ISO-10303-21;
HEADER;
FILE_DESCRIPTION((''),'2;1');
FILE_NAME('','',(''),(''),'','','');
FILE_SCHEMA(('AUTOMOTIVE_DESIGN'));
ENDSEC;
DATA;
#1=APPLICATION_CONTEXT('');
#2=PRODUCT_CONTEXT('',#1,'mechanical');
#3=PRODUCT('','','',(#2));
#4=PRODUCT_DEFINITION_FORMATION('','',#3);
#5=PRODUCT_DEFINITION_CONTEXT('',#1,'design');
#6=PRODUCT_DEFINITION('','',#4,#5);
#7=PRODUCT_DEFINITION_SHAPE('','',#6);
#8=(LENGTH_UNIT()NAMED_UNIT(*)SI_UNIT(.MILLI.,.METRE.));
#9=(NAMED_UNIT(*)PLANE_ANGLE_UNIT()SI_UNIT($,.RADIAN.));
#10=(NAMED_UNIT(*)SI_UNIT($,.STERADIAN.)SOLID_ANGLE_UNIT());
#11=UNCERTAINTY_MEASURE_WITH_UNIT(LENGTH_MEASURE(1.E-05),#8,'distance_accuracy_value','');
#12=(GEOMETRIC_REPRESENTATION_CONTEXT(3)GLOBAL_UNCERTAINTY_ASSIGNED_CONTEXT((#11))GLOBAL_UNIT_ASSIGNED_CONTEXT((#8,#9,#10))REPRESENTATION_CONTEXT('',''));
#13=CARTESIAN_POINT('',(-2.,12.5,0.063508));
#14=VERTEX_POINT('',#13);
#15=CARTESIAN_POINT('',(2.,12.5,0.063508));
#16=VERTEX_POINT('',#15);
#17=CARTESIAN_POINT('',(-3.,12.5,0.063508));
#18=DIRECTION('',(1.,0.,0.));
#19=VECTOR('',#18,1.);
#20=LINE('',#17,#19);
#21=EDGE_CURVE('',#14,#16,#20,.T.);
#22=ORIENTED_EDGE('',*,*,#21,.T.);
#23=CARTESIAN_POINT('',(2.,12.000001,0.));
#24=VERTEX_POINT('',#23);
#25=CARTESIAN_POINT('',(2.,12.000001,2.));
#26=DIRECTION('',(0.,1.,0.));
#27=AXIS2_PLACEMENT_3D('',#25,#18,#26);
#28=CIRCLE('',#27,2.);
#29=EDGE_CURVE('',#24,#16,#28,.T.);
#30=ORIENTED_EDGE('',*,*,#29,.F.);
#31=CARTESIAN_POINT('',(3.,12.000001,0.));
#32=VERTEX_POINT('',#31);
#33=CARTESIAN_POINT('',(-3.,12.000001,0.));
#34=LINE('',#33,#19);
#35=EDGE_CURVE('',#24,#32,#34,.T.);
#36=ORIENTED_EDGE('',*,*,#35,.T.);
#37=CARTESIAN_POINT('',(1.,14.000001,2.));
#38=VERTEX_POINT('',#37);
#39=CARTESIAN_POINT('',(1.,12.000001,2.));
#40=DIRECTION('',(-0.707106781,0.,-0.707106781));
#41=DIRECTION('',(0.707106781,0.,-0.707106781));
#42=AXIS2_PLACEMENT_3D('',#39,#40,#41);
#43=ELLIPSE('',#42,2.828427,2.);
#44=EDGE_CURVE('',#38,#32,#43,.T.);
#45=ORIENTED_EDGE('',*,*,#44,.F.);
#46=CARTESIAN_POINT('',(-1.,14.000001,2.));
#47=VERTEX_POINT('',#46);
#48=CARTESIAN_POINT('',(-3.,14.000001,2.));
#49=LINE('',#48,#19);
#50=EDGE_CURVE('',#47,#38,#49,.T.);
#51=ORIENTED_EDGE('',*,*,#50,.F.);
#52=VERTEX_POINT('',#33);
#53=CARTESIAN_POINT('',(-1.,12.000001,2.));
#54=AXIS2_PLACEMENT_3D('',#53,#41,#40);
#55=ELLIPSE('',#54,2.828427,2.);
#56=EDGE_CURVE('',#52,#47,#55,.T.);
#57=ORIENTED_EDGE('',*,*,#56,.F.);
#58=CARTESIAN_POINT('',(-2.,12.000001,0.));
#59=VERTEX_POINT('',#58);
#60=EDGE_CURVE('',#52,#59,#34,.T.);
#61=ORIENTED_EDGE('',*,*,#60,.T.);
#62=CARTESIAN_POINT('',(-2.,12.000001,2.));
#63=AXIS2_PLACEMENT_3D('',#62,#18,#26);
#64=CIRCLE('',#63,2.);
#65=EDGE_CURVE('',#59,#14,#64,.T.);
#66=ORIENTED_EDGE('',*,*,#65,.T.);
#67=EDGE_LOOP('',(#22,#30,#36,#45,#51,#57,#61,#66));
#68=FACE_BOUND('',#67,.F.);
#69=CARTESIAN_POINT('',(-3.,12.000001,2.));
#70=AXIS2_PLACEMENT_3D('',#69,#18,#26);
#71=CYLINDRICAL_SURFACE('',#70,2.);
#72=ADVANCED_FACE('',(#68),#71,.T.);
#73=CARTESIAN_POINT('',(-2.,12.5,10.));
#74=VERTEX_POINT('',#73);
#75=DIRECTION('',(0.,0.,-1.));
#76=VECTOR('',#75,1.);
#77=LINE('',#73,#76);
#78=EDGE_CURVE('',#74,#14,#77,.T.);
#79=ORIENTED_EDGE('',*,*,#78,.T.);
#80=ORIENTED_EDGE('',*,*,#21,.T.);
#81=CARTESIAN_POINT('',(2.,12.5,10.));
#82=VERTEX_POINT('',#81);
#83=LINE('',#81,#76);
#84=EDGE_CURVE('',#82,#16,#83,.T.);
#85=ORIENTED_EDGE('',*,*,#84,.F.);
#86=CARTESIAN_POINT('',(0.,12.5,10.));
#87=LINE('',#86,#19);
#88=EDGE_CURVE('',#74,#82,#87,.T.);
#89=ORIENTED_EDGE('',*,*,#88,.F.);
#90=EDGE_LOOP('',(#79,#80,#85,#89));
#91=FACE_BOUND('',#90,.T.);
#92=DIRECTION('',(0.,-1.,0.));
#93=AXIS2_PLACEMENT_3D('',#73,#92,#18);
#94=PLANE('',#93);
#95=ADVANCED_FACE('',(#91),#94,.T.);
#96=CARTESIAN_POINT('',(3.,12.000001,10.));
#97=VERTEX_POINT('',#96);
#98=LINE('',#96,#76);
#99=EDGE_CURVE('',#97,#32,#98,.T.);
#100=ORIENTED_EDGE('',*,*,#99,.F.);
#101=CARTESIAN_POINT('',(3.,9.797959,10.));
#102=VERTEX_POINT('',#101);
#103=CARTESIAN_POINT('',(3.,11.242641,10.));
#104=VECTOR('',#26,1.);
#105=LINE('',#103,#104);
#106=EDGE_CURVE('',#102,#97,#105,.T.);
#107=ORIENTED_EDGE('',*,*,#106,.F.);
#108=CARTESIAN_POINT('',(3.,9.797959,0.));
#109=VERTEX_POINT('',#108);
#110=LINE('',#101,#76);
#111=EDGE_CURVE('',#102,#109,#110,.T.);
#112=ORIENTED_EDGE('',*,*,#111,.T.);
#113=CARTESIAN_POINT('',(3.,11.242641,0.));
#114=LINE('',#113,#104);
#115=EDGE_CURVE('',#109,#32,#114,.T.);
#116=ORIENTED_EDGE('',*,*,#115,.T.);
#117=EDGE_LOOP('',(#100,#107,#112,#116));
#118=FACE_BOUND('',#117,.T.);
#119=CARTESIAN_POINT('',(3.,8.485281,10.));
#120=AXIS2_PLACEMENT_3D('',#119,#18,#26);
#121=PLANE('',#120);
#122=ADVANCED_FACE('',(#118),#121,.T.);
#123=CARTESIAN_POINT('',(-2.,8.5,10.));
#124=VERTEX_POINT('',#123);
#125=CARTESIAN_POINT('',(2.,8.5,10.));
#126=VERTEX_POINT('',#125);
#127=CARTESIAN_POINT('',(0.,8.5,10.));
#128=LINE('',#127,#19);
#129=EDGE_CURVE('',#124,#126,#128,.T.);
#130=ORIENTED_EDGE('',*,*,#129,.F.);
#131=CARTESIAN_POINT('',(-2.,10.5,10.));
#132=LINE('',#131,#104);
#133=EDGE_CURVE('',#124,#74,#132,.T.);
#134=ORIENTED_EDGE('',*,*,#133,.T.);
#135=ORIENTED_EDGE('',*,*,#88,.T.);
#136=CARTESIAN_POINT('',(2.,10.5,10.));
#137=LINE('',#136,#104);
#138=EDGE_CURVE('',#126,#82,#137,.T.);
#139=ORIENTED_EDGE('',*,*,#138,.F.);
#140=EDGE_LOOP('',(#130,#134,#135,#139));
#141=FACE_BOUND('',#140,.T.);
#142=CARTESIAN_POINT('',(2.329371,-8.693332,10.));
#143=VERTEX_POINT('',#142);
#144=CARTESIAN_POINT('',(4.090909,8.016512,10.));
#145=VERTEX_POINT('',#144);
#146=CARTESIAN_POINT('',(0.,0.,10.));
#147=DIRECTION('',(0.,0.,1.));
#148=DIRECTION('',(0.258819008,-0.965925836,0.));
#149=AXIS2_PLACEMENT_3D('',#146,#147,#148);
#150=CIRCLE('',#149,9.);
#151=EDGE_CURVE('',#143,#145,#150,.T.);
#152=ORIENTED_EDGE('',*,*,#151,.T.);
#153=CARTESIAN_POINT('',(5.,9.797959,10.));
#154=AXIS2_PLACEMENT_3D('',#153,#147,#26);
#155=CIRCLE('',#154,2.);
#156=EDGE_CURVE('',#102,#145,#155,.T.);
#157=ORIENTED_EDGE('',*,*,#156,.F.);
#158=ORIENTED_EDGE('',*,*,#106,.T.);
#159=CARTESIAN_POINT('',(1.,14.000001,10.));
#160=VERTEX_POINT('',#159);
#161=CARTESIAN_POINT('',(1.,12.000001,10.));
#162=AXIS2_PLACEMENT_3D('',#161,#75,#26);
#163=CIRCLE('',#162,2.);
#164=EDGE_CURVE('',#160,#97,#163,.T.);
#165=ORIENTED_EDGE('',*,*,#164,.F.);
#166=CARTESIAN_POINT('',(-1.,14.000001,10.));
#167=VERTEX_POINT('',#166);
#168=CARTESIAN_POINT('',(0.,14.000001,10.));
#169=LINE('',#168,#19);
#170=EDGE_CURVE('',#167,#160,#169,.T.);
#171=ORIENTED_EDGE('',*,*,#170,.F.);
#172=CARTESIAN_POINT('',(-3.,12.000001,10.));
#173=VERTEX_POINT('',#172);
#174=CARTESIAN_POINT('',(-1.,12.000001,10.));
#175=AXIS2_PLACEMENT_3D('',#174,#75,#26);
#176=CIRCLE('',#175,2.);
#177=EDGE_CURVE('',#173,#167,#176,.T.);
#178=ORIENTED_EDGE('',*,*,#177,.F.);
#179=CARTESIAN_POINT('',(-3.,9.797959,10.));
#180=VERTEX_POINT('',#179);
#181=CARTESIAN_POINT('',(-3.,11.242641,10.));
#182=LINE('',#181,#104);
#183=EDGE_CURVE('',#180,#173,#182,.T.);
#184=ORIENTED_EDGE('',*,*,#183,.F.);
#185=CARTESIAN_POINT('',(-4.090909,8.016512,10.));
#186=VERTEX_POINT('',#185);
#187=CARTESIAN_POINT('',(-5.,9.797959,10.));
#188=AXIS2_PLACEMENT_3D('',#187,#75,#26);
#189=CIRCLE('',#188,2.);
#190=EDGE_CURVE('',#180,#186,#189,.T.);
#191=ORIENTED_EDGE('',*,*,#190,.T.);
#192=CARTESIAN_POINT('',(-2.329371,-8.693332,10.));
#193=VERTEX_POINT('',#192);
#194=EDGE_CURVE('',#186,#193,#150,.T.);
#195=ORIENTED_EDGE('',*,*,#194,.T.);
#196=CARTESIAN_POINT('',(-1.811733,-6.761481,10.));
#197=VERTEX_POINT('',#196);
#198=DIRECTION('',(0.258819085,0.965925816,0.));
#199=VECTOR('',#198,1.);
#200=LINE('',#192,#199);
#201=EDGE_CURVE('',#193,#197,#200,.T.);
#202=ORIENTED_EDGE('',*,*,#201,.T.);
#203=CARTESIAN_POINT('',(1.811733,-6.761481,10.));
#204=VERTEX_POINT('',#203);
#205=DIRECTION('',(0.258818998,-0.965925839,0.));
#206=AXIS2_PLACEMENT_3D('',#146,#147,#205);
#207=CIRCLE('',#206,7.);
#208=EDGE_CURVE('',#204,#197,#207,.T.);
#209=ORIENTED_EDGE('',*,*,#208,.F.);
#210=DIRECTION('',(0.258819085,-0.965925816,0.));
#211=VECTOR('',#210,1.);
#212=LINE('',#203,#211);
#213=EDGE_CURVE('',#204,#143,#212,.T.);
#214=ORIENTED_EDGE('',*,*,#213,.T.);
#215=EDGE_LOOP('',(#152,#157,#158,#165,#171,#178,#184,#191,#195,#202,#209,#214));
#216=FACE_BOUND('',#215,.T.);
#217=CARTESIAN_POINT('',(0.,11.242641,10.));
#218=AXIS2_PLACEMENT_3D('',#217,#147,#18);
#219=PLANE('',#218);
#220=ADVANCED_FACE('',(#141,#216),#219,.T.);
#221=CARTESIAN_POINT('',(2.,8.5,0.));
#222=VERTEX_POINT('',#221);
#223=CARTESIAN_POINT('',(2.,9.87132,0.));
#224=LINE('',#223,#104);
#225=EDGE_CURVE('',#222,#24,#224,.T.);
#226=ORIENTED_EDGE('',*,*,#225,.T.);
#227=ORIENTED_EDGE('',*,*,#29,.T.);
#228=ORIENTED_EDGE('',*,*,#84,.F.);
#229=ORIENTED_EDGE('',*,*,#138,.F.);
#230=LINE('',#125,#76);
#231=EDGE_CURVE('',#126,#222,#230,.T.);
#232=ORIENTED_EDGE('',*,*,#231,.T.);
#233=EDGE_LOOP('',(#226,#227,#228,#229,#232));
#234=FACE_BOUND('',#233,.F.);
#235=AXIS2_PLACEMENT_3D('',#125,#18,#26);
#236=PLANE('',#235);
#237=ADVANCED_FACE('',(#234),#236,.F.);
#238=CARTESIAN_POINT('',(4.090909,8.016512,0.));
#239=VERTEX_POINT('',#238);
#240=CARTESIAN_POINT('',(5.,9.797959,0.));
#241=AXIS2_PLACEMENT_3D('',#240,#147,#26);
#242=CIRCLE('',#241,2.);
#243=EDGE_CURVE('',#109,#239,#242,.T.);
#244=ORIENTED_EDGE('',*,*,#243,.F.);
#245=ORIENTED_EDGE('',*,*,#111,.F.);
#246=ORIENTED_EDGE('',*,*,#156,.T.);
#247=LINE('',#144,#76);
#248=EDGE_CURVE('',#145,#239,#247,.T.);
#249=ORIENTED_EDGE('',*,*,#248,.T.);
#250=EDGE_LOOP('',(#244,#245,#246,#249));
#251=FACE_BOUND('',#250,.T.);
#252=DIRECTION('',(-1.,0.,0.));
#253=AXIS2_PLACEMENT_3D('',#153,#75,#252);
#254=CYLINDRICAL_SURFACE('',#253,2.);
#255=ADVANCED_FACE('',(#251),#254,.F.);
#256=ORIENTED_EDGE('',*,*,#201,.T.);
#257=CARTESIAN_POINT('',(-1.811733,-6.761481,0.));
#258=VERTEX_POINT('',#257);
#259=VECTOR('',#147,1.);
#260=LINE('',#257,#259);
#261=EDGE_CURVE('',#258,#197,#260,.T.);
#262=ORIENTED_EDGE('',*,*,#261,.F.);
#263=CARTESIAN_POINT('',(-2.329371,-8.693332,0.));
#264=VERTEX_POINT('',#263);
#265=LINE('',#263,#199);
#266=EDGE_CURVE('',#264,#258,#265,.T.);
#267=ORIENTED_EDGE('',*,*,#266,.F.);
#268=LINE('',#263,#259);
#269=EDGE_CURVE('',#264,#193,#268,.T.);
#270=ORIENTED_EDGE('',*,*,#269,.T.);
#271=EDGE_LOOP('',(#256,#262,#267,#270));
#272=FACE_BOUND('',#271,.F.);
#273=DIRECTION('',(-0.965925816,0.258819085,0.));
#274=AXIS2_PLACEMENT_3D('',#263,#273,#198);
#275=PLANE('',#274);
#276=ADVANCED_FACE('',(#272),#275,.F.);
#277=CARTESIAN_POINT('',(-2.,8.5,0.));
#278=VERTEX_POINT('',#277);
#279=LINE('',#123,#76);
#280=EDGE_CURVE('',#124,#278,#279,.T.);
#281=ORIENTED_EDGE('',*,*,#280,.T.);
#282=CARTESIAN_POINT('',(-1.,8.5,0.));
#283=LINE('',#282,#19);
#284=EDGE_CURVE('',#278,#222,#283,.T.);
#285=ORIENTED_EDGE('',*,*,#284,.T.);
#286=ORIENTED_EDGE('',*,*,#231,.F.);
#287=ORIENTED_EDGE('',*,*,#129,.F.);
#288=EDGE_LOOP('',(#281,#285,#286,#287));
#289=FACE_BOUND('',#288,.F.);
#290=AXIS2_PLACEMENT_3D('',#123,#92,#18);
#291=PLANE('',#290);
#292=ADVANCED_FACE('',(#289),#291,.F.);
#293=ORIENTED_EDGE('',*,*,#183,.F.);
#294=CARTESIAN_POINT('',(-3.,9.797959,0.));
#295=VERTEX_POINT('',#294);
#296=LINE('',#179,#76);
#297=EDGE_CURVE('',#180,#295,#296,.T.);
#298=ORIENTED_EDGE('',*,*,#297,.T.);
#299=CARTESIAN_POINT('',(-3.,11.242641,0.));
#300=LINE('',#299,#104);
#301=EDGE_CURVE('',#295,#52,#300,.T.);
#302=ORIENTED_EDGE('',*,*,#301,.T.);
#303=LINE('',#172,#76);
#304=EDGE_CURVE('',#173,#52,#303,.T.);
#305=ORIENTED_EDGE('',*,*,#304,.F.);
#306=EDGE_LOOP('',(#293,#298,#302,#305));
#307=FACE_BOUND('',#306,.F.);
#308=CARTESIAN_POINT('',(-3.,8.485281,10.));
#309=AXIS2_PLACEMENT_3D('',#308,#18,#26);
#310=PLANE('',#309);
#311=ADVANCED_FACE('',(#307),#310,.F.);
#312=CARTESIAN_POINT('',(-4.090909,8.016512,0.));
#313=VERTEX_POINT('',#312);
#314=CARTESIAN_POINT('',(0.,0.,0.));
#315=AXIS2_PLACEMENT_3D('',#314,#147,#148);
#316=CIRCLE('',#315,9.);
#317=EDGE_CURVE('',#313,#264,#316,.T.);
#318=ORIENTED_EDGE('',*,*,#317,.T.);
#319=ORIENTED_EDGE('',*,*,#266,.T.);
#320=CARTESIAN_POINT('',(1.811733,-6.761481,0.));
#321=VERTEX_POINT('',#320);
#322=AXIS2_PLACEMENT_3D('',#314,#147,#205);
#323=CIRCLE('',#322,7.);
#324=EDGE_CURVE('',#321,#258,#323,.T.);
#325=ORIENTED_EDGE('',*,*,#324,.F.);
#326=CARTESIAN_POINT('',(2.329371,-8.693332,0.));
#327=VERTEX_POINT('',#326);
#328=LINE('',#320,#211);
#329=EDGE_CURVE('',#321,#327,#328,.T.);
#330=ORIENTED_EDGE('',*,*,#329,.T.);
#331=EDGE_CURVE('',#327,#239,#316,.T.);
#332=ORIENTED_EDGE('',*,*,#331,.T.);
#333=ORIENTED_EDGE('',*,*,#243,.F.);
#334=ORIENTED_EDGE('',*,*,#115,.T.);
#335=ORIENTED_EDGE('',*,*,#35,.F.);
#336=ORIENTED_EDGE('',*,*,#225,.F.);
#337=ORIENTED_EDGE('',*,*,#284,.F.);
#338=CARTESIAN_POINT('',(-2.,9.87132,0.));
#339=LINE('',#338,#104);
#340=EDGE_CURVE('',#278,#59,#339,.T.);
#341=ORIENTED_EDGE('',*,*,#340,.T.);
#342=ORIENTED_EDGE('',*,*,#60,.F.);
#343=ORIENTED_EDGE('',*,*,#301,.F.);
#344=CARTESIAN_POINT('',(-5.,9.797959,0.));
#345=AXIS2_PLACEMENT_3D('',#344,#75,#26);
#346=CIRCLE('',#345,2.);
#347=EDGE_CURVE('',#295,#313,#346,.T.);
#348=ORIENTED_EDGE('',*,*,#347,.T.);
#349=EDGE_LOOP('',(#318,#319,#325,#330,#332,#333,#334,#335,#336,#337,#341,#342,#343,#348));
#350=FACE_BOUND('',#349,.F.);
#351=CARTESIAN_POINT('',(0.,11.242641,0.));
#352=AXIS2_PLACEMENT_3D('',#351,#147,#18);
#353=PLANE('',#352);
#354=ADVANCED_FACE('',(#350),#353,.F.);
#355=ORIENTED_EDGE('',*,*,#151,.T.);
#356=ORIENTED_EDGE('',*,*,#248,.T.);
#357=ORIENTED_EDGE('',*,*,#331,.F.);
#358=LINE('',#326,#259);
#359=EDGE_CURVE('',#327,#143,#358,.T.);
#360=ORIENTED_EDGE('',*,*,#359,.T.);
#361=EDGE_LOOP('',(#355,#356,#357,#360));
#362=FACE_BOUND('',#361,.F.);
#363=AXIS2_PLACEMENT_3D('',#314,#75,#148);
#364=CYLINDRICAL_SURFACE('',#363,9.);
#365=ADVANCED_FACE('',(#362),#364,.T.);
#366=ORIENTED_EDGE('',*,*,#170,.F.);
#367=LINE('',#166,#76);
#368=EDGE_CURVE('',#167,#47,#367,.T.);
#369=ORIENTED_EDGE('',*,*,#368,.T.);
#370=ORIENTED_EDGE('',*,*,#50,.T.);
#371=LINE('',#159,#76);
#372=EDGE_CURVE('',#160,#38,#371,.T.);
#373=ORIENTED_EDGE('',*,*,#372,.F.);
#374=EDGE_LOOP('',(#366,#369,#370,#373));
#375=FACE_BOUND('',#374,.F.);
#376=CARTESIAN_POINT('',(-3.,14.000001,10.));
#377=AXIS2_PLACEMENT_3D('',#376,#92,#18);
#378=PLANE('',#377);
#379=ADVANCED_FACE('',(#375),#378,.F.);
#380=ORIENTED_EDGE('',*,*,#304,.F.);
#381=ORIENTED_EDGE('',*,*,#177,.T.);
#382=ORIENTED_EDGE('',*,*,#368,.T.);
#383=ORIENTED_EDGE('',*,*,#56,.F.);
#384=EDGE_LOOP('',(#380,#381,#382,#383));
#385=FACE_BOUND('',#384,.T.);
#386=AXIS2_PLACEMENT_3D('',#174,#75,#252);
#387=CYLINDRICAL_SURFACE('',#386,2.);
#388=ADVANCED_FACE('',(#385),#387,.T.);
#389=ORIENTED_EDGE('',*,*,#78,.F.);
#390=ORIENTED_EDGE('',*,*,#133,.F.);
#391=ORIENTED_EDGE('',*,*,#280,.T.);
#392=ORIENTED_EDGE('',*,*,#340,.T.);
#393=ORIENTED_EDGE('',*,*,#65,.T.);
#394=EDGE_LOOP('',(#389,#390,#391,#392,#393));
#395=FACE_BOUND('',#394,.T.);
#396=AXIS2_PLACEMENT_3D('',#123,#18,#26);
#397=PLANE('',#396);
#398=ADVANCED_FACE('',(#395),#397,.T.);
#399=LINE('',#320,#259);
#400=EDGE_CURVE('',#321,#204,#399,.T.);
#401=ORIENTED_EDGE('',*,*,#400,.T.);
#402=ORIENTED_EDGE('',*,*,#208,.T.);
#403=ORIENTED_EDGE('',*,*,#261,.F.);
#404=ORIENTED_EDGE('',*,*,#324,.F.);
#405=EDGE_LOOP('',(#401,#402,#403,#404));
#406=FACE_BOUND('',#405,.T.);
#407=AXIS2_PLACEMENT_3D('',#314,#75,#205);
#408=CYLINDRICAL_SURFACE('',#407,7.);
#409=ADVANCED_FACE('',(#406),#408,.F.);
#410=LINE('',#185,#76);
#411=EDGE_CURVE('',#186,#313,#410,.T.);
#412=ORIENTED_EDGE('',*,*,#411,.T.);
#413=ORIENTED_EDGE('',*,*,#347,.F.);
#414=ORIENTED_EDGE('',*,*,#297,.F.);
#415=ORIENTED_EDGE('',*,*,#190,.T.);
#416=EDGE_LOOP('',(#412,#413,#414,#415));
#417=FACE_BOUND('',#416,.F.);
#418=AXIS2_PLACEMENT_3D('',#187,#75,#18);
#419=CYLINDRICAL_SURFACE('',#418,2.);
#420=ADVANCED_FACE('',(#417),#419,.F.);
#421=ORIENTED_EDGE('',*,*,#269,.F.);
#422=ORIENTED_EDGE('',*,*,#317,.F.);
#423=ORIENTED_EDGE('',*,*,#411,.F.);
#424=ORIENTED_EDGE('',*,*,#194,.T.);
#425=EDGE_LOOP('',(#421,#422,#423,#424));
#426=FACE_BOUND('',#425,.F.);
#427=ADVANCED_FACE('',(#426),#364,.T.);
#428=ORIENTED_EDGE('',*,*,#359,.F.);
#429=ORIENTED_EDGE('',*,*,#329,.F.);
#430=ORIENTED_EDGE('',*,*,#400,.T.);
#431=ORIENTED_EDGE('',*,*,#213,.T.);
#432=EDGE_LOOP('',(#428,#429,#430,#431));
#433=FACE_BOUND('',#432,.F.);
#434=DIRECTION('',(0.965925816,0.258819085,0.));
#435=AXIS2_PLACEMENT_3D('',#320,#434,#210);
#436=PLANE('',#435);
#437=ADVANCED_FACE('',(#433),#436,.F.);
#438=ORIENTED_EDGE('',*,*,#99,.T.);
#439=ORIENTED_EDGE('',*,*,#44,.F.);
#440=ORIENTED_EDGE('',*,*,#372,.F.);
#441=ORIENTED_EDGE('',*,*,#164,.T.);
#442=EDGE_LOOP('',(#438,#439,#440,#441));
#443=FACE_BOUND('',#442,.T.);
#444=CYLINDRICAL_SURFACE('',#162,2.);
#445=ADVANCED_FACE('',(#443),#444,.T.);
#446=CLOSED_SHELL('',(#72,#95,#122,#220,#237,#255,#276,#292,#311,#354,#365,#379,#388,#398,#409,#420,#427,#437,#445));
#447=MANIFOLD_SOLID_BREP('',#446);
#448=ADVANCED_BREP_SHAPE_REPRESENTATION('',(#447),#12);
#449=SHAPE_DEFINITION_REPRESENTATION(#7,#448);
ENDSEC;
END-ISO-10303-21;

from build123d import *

# Parameters (mm, degrees)
PAD_DEPTH    = 10
SKETCH001_W  = 6
SKETCH001_H  = 5.514719
PAD001_DEPTH = 10
FILLET_R     = 2
SKETCH002_W  = 4
SKETCH002_H  = 4
POCKET_DEPTH = 10.001


with BuildPart() as part:
    # Sketch → Pad (new body)
    with BuildSketch(Plane.XY):
        with BuildLine():
            ThreePointArc((2.329371, -8.693332), (0, 9), (-2.329371, -8.693332))
            Line((-2.329371, -8.693332), (-1.811733, -6.761481))
            ThreePointArc((1.811733, -6.761481), (0, 7), (-1.811733, -6.761481))
            Line((1.811733, -6.761481), (2.329371, -8.693332))
        make_face()
    extrude(amount=PAD_DEPTH)

    # Sketch001 (on Face6 of Pad) → Pad001 (join)
    with BuildSketch(Plane.XY.offset(10)):
        with Locations((0, 11.242641)):
            Rectangle(SKETCH001_W, SKETCH001_H)
    extrude(amount=-PAD001_DEPTH)

    # Fillet
    fillet_edges = [part.edges().sort_by_distance(p)[0] for p in [
        (-3, 14, 5),
        (0, 14, 0),
        (3, 14, 5),
        (3, 8.485281, 5),
        (-3, 8.485281, 5),
    ]]
    fillet(fillet_edges, radius=FILLET_R)

    # Sketch002 (on Face18 of Fillet) → Pocket (cut, through all)
    with BuildSketch(Plane.XY.offset(10)):
        with Locations((0, 10.5)):
            Rectangle(SKETCH002_W, SKETCH002_H)
    extrude(amount=-POCKET_DEPTH, mode=Mode.SUBTRACT)


solid = part.part
